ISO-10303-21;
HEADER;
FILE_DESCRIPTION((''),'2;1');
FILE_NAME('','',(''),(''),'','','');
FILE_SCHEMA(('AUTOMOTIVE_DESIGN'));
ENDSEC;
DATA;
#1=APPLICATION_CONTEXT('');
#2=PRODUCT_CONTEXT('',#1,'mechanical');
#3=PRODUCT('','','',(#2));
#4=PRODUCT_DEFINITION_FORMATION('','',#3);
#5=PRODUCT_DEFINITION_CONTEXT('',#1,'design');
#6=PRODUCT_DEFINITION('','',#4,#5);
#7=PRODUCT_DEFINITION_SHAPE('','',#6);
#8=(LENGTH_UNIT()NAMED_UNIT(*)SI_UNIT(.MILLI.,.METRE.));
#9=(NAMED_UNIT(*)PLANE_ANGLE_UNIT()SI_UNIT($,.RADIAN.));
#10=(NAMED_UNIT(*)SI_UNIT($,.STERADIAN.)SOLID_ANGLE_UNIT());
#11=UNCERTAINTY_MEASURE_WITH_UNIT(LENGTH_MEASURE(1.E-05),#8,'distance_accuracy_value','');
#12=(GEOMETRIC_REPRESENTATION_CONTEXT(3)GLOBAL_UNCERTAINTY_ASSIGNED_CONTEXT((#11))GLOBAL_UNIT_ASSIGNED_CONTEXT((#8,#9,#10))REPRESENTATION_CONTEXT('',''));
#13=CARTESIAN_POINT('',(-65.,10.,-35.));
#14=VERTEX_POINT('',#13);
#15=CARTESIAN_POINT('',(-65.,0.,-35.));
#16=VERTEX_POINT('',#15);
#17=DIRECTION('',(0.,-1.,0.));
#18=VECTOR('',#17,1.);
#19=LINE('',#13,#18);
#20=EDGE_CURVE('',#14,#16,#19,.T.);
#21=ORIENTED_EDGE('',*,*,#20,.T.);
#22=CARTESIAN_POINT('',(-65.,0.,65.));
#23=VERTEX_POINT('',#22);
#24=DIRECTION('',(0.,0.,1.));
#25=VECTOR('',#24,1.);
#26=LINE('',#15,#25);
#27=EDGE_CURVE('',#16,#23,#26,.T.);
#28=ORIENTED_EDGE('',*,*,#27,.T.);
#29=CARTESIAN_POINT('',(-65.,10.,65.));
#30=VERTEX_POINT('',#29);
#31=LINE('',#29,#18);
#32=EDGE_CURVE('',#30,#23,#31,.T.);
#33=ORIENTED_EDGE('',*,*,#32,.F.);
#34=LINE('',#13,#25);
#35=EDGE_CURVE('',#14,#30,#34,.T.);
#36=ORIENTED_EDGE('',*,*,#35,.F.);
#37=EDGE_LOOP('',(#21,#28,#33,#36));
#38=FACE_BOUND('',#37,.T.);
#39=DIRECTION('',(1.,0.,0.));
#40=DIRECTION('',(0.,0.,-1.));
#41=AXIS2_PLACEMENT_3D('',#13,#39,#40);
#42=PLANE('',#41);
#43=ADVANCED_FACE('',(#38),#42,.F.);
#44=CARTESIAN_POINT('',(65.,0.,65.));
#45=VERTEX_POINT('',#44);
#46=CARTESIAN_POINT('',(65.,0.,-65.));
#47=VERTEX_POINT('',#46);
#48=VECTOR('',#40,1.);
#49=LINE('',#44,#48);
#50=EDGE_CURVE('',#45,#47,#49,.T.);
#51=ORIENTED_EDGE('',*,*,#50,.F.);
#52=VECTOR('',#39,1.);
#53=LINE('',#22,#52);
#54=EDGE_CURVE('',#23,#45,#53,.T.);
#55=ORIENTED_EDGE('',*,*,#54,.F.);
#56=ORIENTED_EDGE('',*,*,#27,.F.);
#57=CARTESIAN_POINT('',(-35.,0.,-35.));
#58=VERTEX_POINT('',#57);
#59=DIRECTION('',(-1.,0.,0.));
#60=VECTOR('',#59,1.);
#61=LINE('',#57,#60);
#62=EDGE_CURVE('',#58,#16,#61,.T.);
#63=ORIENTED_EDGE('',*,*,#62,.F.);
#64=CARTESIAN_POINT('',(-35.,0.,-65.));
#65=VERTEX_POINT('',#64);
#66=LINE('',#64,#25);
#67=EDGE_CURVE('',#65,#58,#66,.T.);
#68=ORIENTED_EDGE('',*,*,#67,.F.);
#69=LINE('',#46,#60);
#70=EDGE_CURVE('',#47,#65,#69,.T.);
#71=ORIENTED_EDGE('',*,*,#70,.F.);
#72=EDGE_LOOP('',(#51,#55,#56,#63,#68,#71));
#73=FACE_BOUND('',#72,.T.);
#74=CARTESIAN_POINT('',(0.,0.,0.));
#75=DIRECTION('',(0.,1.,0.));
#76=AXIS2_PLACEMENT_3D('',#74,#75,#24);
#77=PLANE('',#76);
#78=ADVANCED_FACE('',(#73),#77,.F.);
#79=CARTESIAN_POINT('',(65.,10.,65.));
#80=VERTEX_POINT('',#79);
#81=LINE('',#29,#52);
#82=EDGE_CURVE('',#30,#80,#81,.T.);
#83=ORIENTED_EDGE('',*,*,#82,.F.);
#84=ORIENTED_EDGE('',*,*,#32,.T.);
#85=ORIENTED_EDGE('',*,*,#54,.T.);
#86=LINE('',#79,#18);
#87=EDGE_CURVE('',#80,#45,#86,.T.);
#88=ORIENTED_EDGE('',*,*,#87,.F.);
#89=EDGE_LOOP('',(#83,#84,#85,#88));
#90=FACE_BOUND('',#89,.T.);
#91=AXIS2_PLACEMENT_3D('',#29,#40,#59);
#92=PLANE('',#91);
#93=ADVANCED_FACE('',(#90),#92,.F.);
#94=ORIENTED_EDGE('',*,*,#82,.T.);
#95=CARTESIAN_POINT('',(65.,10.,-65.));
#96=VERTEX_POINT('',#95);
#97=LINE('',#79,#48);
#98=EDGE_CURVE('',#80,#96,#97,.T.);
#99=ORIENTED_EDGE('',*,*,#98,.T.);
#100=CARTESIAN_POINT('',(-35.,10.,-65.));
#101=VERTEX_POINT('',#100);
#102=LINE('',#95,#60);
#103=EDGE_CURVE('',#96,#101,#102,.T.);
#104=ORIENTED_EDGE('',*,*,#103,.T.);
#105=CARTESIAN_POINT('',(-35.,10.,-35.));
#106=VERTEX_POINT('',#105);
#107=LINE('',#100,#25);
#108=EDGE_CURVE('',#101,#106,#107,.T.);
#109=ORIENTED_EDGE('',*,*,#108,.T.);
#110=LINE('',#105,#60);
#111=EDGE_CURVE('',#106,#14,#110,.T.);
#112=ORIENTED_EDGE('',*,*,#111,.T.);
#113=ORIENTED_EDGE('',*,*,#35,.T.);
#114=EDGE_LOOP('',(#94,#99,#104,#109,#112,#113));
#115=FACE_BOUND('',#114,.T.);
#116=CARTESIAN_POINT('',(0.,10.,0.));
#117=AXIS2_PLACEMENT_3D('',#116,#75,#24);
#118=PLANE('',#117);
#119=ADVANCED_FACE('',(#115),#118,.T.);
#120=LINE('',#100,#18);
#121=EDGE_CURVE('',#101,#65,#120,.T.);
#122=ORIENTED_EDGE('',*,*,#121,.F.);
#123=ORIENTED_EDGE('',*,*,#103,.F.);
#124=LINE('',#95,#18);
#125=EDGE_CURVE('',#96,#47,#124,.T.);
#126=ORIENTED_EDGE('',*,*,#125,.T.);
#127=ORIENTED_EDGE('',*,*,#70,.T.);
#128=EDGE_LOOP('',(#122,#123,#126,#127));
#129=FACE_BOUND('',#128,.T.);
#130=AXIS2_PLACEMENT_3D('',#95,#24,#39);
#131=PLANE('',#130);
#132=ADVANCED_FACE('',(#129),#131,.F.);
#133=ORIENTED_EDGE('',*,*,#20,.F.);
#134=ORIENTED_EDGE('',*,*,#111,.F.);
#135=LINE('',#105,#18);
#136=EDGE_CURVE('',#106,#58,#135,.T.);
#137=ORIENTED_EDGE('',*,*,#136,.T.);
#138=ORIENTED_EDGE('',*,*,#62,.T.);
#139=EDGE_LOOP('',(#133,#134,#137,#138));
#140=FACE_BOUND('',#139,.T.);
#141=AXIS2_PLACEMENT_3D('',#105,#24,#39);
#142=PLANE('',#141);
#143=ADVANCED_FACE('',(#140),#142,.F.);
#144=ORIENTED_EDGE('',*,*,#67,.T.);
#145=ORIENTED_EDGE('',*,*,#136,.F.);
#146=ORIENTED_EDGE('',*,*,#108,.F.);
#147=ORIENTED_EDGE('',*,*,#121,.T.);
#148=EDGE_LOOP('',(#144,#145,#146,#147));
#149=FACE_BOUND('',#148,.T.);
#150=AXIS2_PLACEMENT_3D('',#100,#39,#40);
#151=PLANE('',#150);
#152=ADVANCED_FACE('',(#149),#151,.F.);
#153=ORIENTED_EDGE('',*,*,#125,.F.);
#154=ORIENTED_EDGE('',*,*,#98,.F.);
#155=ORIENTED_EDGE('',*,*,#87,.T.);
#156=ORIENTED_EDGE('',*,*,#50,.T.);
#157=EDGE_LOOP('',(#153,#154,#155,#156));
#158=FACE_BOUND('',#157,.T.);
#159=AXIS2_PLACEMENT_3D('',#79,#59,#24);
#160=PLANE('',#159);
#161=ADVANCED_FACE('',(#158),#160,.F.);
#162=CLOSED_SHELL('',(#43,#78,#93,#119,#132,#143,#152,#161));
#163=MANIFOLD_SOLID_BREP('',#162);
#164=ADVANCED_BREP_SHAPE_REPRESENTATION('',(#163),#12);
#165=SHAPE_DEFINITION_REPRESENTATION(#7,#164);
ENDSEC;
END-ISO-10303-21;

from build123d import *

# Parameters (mm, degrees)
BOSS_EXTRUDE1_DEPTH = 10


with BuildPart() as part:
    # Sketch1 → Boss-Extrude1 (new body)
    with BuildSketch(Plane(origin=(0, 0, 0), x_dir=(1, 0, 0), z_dir=(0, 1, 0))):
        Polygon((-65, -65), (65, -65), (65, 65), (-35, 65), (-35, 35), (-65, 35), align=None)
    extrude(amount=BOSS_EXTRUDE1_DEPTH)


solid = part.part
